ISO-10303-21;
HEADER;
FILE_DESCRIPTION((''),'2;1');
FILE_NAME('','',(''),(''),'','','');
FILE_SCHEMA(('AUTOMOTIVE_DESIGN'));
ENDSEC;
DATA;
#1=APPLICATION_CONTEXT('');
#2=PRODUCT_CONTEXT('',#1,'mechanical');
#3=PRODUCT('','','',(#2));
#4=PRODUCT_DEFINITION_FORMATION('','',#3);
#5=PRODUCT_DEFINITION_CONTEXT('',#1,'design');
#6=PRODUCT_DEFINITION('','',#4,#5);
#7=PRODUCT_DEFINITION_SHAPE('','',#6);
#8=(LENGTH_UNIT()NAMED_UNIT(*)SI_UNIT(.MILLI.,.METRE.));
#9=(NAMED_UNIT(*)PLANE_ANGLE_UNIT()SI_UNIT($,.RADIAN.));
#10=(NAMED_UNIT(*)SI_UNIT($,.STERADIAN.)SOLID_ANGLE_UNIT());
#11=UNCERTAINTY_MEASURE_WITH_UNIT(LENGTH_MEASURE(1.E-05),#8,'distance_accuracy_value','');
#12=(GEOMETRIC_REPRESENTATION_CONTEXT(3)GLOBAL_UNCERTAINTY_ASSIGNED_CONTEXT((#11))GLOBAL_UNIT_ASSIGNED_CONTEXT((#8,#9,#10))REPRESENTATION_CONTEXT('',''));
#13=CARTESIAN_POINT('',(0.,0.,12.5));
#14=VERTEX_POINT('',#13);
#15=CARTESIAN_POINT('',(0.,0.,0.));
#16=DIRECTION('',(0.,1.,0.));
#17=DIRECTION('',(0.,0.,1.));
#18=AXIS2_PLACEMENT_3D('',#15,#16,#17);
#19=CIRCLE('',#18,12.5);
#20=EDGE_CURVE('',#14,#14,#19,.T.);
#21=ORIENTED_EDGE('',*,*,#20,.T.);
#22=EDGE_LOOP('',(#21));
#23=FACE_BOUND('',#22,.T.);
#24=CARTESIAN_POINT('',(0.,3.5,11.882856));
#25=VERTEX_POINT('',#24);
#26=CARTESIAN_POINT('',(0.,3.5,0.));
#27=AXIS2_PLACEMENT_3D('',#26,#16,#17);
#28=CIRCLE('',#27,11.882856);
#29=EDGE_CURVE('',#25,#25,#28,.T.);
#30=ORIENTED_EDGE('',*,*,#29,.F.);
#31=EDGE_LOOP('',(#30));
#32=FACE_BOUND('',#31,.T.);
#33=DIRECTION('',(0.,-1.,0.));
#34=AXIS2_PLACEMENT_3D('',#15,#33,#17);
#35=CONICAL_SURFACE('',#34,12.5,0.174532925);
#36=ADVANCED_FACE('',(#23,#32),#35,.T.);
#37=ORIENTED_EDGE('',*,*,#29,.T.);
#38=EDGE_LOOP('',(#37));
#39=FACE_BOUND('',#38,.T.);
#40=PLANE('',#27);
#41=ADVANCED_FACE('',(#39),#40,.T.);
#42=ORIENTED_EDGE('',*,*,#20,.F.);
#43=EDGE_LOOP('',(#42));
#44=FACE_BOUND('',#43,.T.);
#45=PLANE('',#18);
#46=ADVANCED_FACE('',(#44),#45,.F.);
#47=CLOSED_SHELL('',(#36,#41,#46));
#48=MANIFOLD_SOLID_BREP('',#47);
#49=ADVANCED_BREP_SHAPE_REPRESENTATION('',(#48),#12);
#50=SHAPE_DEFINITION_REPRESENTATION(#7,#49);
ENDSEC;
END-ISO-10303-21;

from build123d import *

# Parameters (mm, degrees)
SKETCH_1_R      = 12.5
EXTRUDE_1_DEPTH = 3.5
EXTRUDE_1_TAPER = 10


with BuildPart() as part:
    # Эскиз1 → Бобышка-Вытянуть1 (new body)
    with BuildSketch(Plane(origin=(0, 0, 0), x_dir=(1, 0, 0), z_dir=(0, 1, 0))):
        Circle(SKETCH_1_R)
    extrude(amount=EXTRUDE_1_DEPTH, taper=EXTRUDE_1_TAPER)


solid = part.part
